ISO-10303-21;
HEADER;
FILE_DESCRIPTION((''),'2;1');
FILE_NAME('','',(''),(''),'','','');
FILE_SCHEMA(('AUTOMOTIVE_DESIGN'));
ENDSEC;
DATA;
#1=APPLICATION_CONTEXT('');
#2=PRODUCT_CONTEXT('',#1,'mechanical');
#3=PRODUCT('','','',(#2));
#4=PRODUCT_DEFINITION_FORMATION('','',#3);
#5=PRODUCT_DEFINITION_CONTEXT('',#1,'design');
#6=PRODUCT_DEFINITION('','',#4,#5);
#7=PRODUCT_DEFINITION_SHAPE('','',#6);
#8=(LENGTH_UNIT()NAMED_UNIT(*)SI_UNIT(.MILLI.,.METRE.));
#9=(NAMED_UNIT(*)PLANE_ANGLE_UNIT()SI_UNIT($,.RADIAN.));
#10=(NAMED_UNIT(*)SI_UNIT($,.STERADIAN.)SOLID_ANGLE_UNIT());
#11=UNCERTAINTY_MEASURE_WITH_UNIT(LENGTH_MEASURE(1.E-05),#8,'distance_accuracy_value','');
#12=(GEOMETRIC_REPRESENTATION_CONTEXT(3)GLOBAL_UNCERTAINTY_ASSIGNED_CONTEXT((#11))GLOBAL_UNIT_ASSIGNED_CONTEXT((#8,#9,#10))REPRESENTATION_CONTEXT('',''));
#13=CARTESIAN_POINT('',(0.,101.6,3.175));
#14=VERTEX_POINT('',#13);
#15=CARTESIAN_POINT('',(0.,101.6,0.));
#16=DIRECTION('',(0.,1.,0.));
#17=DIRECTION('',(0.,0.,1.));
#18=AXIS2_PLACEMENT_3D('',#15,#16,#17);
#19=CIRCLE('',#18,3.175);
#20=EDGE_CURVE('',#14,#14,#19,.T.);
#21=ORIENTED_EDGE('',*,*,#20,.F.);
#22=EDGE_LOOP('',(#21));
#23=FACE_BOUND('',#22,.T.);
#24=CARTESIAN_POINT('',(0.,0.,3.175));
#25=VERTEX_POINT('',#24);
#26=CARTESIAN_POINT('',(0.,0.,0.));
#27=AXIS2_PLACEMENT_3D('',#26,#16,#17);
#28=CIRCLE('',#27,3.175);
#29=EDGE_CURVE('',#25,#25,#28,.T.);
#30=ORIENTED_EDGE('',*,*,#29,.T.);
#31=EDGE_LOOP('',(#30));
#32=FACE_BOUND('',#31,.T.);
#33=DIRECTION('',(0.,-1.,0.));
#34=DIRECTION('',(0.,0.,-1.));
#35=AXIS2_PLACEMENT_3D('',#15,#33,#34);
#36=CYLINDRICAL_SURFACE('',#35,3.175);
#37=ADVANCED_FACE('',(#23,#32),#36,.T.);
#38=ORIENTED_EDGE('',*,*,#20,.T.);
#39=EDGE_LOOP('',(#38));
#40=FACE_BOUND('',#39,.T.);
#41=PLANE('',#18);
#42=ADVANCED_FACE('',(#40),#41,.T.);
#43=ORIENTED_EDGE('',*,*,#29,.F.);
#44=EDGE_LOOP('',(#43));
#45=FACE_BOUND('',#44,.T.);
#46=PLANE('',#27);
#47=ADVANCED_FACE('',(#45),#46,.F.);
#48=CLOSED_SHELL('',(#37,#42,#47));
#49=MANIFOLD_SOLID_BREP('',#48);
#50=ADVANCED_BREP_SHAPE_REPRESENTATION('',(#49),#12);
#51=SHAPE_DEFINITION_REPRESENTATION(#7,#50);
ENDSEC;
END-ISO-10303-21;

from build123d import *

# Parameters (mm, degrees)
SKETCH1_R           = 3.175
BOSS_EXTRUDE1_DEPTH = 101.6


with BuildPart() as part:
    # Sketch1 → Boss-Extrude1 (new body)
    with BuildSketch(Plane(origin=(0, 0, 0), x_dir=(1, 0, 0), z_dir=(0, 1, 0))):
        with Locations(Location((0, 0, 0), (0, 0, 270))):  # turned: the seam where the file's is
            Circle(SKETCH1_R)
    extrude(amount=BOSS_EXTRUDE1_DEPTH)


solid = part.part
